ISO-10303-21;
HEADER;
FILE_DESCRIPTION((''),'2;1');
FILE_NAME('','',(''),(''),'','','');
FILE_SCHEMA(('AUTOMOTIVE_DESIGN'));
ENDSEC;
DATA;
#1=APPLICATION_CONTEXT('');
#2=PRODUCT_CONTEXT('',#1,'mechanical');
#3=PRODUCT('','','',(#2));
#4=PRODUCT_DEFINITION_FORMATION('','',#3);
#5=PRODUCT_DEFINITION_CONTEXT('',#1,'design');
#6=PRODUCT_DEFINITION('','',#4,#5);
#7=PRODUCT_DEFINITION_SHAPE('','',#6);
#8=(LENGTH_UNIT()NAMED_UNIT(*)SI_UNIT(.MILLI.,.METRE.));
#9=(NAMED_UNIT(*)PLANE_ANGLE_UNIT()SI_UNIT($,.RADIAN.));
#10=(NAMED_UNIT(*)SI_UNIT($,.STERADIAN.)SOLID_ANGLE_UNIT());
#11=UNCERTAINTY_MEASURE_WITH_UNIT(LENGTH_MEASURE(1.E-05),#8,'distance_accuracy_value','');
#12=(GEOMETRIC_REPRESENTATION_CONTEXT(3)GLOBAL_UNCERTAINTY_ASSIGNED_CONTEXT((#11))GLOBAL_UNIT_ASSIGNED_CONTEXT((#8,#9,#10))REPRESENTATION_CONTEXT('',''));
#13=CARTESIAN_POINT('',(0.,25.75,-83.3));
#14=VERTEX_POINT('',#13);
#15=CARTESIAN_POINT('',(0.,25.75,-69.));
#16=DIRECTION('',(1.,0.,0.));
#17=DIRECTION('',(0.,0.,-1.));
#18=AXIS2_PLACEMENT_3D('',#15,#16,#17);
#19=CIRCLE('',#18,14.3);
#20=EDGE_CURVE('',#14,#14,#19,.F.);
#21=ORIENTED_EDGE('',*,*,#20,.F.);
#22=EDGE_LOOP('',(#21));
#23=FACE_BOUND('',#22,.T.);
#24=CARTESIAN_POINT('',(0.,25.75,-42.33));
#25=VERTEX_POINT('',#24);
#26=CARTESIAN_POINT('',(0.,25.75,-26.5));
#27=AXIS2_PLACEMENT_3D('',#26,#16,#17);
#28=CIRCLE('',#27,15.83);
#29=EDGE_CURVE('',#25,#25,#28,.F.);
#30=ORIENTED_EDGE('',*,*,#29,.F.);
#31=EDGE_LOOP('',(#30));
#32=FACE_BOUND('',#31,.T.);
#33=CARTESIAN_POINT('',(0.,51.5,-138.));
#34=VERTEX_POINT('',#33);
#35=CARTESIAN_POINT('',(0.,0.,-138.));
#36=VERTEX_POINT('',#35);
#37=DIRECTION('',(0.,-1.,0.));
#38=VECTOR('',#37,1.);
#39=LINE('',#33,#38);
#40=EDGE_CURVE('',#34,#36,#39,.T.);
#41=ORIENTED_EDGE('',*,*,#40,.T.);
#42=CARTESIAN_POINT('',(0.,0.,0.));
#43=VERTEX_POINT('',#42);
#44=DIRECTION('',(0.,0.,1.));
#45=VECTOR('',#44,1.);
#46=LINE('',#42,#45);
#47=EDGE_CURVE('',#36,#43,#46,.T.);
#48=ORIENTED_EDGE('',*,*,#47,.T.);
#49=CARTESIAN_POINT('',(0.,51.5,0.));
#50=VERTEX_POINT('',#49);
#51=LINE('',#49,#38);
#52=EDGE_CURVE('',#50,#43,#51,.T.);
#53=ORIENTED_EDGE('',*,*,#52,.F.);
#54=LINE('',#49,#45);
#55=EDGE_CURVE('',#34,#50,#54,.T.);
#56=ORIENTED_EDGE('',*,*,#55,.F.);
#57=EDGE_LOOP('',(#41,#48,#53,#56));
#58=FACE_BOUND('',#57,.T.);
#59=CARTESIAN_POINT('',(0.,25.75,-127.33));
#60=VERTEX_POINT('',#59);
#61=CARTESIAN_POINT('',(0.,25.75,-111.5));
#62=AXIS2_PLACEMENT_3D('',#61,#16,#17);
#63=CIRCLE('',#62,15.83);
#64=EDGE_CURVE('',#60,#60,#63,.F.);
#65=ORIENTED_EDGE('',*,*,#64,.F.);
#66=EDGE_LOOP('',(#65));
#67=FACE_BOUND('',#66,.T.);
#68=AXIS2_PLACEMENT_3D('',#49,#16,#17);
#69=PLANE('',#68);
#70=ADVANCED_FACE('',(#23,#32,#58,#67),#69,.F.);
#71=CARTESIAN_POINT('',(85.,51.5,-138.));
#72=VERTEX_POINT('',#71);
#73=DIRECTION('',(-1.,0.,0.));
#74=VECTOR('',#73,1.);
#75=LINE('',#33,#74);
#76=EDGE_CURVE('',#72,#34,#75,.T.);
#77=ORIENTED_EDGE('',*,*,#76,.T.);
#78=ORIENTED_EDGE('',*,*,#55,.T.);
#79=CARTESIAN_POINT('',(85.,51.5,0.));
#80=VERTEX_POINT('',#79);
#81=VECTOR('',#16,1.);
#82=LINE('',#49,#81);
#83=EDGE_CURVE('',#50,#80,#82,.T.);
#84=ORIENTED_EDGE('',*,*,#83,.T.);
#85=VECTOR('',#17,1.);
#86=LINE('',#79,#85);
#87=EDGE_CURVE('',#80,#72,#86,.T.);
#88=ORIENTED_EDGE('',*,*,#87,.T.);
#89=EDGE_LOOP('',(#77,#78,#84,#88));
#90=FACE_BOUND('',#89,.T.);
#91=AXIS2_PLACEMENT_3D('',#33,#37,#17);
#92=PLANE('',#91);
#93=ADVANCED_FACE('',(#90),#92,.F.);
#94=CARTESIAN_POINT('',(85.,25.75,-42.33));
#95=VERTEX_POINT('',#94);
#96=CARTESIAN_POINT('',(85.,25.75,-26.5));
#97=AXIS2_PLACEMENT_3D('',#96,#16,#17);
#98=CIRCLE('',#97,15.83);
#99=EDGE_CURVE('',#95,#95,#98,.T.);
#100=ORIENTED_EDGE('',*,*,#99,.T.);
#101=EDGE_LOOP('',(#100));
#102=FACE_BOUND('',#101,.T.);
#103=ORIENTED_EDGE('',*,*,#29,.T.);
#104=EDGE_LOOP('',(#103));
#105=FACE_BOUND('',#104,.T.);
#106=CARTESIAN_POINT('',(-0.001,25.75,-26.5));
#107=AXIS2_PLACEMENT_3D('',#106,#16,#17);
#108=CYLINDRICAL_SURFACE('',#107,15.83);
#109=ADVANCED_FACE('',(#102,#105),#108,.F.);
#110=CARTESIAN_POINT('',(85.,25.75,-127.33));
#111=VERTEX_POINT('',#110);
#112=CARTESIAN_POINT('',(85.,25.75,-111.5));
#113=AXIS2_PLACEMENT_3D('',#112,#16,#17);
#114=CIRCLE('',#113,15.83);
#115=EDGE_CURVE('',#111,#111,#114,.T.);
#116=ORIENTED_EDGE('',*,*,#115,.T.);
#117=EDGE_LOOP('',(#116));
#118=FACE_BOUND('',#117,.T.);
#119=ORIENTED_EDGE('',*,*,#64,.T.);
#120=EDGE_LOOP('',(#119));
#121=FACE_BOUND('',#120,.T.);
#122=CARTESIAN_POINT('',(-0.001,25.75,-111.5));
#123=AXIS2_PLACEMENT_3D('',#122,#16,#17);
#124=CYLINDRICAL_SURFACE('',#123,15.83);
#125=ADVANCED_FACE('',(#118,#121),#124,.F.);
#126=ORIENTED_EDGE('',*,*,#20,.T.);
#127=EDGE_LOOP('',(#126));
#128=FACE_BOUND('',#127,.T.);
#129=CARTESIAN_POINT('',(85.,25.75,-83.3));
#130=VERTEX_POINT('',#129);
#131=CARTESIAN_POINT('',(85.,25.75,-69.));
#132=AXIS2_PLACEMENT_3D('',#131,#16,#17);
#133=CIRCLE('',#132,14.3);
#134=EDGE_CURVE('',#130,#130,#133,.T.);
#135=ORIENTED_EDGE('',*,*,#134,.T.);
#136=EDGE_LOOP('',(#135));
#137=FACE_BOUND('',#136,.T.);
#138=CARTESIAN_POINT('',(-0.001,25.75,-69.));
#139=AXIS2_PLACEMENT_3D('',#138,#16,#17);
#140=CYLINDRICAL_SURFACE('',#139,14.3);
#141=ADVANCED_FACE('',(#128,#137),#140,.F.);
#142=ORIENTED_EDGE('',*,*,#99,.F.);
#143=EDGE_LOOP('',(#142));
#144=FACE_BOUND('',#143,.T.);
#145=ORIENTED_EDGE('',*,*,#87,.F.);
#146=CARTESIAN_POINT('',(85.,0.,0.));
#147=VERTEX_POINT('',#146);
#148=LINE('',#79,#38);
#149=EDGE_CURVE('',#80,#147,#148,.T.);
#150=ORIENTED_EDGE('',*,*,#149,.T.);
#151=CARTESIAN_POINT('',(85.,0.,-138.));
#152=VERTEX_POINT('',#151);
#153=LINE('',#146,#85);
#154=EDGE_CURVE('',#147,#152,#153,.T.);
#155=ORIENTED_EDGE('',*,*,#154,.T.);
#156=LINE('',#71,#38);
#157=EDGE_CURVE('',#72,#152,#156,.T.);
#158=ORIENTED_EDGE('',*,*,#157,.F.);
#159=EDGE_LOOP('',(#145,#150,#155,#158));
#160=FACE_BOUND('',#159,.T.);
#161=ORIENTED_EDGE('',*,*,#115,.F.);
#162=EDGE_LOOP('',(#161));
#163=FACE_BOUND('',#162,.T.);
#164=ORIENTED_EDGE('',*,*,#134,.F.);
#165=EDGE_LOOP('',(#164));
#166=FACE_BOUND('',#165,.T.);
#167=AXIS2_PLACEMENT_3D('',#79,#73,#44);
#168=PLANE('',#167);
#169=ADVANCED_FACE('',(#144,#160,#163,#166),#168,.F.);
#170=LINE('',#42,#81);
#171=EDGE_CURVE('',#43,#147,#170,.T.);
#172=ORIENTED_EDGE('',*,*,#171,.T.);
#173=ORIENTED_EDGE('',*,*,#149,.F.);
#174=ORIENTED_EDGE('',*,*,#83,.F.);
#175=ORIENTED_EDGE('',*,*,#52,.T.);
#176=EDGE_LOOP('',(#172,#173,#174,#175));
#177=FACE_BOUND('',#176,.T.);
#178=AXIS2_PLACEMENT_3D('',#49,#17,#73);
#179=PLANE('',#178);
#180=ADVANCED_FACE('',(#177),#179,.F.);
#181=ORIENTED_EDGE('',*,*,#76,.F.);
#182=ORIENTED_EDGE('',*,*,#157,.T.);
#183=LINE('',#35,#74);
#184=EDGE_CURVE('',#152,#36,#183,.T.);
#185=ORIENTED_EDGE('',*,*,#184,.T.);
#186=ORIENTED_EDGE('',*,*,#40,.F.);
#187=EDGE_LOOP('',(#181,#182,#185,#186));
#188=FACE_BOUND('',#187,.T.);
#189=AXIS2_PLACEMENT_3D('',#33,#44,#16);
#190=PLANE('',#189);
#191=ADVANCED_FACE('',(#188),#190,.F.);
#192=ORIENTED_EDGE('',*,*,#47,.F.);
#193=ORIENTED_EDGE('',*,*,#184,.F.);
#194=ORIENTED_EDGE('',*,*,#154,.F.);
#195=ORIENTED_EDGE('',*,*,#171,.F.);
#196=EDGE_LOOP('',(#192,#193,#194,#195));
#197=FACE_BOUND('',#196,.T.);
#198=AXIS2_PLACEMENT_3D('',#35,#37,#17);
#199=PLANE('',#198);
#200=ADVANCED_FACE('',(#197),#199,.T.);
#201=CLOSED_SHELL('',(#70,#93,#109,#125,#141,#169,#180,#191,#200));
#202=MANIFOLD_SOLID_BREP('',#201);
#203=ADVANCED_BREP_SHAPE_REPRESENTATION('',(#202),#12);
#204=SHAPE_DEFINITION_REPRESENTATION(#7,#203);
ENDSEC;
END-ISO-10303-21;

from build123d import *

# Parameters (mm, degrees)
SKETCH1_W           = 85
SKETCH1_H           = 138
BOSS_EXTRUDE1_DEPTH = 51.5
CUT_EXTRUDE2_REACH  = 87
SKETCH3_R           = 14.3
SKETCH3_R_2         = 15.83


with BuildPart() as part:
    # Sketch1 → Boss-Extrude1 (new body)
    with BuildSketch(Plane(origin=(0, 0, 0), x_dir=(1, 0, 0), z_dir=(0, 1, 0))):
        with Locations((42.5, 69)):
            Rectangle(SKETCH1_W, SKETCH1_H)
    extrude(amount=BOSS_EXTRUDE1_DEPTH)

    # Sketch3 → Cut-Extrude2 (cut, up to next)
    with BuildSketch(Plane(origin=(85, 0, 0), x_dir=(0, 0, -1), z_dir=(1, 0, 0)), mode=Mode.PRIVATE) as cut_extrude2_sk1:
        with Locations((69, 25.75)):
            Circle(SKETCH3_R)
    cut_extrude2_tool1 = extrude(cut_extrude2_sk1.sketch, amount=-CUT_EXTRUDE2_REACH, mode=Mode.PRIVATE) & part.part
    add(cut_extrude2_tool1.solids().sort_by_distance((85, 25.75, -69))[0], mode=Mode.SUBTRACT)
    # Sketch3 → Cut-Extrude2 (cut, up to next)
    with BuildSketch(Plane(origin=(85, 0, 0), x_dir=(0, 0, -1), z_dir=(1, 0, 0)), mode=Mode.PRIVATE) as cut_extrude2_sk2:
        with Locations((26.5, 25.75)):
            Circle(SKETCH3_R_2)
    cut_extrude2_tool2 = extrude(cut_extrude2_sk2.sketch, amount=-CUT_EXTRUDE2_REACH, mode=Mode.PRIVATE) & part.part
    add(cut_extrude2_tool2.solids().sort_by_distance((85, 25.75, -26.5))[0], mode=Mode.SUBTRACT)
    # Sketch3 → Cut-Extrude2 (cut, up to next)
    with BuildSketch(Plane(origin=(85, 0, 0), x_dir=(0, 0, -1), z_dir=(1, 0, 0)), mode=Mode.PRIVATE) as cut_extrude2_sk3:
        with Locations((111.5, 25.75)):
            Circle(SKETCH3_R_2)
    cut_extrude2_tool3 = extrude(cut_extrude2_sk3.sketch, amount=-CUT_EXTRUDE2_REACH, mode=Mode.PRIVATE) & part.part
    add(cut_extrude2_tool3.solids().sort_by_distance((85, 25.75, -111.5))[0], mode=Mode.SUBTRACT)


solid = part.part
